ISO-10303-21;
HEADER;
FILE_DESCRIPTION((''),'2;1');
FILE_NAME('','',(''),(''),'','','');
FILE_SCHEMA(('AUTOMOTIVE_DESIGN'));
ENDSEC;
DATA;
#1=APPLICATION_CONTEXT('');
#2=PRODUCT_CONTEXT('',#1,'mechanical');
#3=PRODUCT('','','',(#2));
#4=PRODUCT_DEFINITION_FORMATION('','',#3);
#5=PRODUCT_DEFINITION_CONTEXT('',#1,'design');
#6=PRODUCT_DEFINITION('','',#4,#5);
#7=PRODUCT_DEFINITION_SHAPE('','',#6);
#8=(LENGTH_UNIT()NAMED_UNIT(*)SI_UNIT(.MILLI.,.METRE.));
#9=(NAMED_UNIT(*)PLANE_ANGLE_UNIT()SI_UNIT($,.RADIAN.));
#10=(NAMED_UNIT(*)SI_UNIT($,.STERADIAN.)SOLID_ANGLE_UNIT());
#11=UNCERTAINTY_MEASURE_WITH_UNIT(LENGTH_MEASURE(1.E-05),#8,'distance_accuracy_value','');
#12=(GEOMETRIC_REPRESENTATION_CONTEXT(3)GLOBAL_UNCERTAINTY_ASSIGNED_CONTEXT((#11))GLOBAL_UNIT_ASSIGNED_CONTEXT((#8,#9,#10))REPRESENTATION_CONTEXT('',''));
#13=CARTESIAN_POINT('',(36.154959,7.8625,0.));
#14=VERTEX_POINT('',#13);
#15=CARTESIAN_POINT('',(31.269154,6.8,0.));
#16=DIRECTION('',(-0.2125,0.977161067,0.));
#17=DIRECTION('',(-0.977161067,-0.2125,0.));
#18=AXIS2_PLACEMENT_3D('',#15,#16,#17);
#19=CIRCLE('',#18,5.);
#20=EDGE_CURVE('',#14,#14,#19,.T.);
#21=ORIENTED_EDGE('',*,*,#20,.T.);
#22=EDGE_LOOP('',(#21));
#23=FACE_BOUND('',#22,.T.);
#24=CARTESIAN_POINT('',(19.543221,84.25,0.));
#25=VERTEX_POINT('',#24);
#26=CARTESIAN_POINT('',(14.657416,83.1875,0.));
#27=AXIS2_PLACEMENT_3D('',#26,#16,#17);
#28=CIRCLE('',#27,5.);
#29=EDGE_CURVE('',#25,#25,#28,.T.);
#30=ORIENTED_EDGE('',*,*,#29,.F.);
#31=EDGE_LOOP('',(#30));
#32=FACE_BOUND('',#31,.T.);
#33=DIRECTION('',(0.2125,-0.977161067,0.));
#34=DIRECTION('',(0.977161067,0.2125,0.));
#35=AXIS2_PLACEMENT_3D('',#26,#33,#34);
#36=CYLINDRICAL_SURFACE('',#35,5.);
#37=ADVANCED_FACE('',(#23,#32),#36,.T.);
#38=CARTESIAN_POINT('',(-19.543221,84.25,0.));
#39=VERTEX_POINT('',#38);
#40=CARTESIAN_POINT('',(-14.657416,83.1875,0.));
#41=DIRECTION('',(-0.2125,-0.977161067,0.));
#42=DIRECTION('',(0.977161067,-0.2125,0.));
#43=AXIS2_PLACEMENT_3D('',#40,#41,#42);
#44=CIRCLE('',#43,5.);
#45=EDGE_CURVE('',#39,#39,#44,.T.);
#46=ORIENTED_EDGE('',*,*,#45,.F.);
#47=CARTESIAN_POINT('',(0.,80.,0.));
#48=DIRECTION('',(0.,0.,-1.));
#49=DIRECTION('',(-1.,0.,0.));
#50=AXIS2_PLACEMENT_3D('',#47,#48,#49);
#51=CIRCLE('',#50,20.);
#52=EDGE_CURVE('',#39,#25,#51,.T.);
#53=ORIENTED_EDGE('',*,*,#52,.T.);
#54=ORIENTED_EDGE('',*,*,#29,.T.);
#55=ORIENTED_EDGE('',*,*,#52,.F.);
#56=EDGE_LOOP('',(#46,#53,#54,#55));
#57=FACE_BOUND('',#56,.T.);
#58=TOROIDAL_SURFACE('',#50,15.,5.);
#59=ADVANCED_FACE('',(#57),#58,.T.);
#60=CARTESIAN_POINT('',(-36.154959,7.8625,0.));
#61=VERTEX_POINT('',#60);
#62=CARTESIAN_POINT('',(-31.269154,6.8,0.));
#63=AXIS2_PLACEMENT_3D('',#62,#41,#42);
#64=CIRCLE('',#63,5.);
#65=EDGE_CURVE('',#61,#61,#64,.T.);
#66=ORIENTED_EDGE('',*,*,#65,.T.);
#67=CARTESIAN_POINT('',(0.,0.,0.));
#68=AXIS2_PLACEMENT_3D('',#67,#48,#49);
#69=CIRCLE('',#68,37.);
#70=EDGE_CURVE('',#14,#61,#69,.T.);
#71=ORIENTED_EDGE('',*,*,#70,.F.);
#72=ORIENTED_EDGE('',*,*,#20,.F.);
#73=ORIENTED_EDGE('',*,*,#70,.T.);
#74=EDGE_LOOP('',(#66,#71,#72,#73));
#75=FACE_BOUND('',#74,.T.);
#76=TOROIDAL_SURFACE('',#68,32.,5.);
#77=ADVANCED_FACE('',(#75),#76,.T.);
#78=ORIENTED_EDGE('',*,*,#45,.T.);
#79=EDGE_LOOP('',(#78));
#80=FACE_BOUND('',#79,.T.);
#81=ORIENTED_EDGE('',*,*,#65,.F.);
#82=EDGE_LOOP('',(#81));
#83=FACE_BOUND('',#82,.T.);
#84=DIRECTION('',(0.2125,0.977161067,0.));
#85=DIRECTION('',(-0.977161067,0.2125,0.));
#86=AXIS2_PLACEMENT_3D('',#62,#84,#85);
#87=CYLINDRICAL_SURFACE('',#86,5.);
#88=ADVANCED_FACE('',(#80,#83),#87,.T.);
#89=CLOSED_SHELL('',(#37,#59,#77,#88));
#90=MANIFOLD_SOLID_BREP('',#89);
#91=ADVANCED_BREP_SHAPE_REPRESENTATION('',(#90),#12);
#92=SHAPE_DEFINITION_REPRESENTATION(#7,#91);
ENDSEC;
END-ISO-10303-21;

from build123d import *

# Parameters (mm, degrees)
SKETCH2_R = 5


with BuildPart() as part:
    # Sweep1: sweep along a path in Sketch1
    with BuildLine(Plane.XY) as sweep1_path:
        Line((-14.657415998, 83.1875), (-31.26915413, 6.8))
        ThreePointArc((-31.26915413, 6.8), (0, -32), (31.26915413, 6.8))
        Line((31.26915413, 6.8), (14.657415998, 83.1875))
        ThreePointArc((14.657415998, 83.1875), (0, 95), (-14.657415998, 83.1875))
    # Sketch2 → Sweep1 (sweep)
    with BuildSketch(Plane(origin=(-31.26915413, 6.8, 0), x_dir=(-0.977161067, 0.2125, 0), z_dir=(-0.2125, -0.977161067, 0))):
        Circle(SKETCH2_R)
    sweep(path=sweep1_path.line)


solid = part.part
